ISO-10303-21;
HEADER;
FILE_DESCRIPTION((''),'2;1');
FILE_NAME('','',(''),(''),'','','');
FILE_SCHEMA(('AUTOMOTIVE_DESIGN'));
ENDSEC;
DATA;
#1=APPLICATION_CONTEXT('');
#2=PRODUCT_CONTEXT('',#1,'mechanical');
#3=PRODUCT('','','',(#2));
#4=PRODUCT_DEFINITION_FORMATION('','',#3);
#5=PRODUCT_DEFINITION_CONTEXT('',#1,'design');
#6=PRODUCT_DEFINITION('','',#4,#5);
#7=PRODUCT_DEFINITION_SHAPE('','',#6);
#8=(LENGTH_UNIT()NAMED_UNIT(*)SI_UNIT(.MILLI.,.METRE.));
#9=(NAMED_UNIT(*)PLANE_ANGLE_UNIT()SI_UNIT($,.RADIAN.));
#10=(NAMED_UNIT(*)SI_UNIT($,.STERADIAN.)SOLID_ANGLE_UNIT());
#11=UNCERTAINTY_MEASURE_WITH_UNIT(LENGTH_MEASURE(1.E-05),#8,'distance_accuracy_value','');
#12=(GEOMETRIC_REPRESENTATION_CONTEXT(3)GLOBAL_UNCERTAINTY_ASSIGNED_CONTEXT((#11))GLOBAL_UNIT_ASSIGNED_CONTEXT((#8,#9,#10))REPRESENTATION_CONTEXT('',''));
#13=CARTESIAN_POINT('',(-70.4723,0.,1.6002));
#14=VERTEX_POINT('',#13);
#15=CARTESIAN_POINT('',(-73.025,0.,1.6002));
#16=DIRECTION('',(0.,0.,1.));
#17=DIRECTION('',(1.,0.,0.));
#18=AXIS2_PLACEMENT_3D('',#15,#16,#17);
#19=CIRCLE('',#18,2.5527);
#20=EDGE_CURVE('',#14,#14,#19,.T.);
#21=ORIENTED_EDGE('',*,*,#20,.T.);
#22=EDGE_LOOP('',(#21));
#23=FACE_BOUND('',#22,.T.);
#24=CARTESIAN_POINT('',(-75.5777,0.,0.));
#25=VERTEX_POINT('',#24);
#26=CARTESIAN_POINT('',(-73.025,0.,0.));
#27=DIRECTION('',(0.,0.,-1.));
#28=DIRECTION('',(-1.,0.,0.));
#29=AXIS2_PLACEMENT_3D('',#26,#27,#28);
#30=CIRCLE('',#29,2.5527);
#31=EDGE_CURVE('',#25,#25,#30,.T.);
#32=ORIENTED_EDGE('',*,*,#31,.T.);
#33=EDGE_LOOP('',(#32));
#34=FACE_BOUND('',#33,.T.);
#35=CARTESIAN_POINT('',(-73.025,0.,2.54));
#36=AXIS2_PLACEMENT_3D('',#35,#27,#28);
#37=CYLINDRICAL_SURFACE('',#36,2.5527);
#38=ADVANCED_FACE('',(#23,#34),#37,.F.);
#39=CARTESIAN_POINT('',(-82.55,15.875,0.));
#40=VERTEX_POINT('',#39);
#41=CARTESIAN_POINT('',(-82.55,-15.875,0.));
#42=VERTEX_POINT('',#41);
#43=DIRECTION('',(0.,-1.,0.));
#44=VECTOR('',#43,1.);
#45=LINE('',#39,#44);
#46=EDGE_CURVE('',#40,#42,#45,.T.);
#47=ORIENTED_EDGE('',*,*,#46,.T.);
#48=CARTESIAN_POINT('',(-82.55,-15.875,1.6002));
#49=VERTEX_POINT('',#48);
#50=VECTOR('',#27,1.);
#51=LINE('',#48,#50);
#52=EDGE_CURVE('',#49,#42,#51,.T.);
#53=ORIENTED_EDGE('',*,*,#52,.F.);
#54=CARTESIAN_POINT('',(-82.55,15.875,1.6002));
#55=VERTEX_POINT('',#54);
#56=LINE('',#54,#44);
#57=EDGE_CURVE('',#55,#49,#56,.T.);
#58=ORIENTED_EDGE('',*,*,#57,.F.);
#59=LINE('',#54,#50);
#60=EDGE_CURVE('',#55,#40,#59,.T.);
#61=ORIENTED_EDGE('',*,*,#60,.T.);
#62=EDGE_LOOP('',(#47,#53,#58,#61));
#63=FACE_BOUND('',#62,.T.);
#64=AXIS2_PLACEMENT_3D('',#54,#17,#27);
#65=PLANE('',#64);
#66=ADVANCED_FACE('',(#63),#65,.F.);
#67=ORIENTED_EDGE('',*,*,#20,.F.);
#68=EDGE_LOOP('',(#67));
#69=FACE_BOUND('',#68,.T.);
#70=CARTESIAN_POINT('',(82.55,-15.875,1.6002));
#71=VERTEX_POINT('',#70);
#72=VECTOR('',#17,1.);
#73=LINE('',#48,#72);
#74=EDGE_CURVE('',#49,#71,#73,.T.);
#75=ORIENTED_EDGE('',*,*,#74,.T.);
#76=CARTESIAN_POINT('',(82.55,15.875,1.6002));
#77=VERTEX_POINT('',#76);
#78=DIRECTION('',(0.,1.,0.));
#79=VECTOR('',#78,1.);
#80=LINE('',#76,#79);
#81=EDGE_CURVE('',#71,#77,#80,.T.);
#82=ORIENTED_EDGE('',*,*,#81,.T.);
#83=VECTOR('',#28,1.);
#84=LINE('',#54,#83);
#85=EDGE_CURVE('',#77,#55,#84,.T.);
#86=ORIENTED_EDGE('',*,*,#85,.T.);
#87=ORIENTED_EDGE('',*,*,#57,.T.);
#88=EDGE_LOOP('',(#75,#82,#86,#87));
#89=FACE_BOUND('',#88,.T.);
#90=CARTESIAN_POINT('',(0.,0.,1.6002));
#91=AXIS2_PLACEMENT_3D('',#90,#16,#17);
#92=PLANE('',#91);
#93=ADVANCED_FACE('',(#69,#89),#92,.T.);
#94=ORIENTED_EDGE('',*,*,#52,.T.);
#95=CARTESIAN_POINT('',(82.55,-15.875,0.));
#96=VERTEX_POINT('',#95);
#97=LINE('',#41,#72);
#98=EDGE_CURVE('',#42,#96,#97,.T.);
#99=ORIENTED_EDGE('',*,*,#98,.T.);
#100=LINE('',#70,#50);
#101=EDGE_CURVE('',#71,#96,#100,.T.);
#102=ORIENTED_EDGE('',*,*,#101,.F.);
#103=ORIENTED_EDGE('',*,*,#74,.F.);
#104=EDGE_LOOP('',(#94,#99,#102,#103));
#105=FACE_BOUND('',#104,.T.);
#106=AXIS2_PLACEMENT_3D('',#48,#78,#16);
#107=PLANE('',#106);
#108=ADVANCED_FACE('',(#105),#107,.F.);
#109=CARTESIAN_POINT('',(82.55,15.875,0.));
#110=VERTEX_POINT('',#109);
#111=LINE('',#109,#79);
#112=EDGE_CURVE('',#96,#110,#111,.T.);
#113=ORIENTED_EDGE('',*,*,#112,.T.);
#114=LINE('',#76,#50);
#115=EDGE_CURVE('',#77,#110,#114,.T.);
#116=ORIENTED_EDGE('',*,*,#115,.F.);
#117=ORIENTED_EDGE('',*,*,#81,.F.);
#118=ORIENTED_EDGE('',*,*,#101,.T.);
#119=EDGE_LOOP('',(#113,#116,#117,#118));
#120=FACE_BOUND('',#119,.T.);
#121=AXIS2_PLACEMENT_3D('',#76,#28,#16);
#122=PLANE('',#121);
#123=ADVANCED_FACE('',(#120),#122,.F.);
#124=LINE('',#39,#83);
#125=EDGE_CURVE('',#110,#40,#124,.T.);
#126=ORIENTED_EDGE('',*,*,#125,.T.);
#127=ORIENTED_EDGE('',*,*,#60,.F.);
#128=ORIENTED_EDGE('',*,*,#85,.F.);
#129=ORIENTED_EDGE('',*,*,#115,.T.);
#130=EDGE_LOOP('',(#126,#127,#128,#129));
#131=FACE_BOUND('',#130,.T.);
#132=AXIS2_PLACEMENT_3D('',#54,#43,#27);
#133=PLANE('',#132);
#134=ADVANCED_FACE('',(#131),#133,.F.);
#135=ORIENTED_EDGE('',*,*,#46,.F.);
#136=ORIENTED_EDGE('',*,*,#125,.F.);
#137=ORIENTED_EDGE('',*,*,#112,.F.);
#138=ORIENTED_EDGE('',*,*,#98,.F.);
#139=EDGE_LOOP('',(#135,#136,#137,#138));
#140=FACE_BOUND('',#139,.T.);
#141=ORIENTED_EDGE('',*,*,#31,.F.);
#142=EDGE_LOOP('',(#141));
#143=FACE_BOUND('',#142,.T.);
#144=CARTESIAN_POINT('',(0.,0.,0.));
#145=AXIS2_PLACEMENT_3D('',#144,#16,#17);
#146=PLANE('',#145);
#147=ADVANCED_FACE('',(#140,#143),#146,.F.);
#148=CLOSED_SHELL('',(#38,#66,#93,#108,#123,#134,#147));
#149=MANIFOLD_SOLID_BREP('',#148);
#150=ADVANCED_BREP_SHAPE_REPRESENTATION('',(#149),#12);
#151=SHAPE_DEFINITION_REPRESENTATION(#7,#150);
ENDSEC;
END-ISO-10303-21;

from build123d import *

# Parameters (mm, degrees)
SKETCH1_W           = 165.1
SKETCH1_H           = 31.75
BOSS_EXTRUDE1_DEPTH = 1.6002
SKETCH2_R           = 2.5527
CUT_EXTRUDE1_DEPTH  = 2.54


with BuildPart() as part:
    # Sketch1 → Boss-Extrude1 (new body)
    with BuildSketch(Plane.XY):
        Rectangle(SKETCH1_W, SKETCH1_H)
    extrude(amount=BOSS_EXTRUDE1_DEPTH)

    # Sketch2 → Cut-Extrude1 (cut)
    with BuildSketch(Plane(origin=(0, 0, 0), x_dir=(-1, 0, 0), z_dir=(0, 0, -1))):
        with Locations((73.025, 0)):
            Circle(SKETCH2_R)
    extrude(amount=-CUT_EXTRUDE1_DEPTH, mode=Mode.SUBTRACT)


solid = part.part
